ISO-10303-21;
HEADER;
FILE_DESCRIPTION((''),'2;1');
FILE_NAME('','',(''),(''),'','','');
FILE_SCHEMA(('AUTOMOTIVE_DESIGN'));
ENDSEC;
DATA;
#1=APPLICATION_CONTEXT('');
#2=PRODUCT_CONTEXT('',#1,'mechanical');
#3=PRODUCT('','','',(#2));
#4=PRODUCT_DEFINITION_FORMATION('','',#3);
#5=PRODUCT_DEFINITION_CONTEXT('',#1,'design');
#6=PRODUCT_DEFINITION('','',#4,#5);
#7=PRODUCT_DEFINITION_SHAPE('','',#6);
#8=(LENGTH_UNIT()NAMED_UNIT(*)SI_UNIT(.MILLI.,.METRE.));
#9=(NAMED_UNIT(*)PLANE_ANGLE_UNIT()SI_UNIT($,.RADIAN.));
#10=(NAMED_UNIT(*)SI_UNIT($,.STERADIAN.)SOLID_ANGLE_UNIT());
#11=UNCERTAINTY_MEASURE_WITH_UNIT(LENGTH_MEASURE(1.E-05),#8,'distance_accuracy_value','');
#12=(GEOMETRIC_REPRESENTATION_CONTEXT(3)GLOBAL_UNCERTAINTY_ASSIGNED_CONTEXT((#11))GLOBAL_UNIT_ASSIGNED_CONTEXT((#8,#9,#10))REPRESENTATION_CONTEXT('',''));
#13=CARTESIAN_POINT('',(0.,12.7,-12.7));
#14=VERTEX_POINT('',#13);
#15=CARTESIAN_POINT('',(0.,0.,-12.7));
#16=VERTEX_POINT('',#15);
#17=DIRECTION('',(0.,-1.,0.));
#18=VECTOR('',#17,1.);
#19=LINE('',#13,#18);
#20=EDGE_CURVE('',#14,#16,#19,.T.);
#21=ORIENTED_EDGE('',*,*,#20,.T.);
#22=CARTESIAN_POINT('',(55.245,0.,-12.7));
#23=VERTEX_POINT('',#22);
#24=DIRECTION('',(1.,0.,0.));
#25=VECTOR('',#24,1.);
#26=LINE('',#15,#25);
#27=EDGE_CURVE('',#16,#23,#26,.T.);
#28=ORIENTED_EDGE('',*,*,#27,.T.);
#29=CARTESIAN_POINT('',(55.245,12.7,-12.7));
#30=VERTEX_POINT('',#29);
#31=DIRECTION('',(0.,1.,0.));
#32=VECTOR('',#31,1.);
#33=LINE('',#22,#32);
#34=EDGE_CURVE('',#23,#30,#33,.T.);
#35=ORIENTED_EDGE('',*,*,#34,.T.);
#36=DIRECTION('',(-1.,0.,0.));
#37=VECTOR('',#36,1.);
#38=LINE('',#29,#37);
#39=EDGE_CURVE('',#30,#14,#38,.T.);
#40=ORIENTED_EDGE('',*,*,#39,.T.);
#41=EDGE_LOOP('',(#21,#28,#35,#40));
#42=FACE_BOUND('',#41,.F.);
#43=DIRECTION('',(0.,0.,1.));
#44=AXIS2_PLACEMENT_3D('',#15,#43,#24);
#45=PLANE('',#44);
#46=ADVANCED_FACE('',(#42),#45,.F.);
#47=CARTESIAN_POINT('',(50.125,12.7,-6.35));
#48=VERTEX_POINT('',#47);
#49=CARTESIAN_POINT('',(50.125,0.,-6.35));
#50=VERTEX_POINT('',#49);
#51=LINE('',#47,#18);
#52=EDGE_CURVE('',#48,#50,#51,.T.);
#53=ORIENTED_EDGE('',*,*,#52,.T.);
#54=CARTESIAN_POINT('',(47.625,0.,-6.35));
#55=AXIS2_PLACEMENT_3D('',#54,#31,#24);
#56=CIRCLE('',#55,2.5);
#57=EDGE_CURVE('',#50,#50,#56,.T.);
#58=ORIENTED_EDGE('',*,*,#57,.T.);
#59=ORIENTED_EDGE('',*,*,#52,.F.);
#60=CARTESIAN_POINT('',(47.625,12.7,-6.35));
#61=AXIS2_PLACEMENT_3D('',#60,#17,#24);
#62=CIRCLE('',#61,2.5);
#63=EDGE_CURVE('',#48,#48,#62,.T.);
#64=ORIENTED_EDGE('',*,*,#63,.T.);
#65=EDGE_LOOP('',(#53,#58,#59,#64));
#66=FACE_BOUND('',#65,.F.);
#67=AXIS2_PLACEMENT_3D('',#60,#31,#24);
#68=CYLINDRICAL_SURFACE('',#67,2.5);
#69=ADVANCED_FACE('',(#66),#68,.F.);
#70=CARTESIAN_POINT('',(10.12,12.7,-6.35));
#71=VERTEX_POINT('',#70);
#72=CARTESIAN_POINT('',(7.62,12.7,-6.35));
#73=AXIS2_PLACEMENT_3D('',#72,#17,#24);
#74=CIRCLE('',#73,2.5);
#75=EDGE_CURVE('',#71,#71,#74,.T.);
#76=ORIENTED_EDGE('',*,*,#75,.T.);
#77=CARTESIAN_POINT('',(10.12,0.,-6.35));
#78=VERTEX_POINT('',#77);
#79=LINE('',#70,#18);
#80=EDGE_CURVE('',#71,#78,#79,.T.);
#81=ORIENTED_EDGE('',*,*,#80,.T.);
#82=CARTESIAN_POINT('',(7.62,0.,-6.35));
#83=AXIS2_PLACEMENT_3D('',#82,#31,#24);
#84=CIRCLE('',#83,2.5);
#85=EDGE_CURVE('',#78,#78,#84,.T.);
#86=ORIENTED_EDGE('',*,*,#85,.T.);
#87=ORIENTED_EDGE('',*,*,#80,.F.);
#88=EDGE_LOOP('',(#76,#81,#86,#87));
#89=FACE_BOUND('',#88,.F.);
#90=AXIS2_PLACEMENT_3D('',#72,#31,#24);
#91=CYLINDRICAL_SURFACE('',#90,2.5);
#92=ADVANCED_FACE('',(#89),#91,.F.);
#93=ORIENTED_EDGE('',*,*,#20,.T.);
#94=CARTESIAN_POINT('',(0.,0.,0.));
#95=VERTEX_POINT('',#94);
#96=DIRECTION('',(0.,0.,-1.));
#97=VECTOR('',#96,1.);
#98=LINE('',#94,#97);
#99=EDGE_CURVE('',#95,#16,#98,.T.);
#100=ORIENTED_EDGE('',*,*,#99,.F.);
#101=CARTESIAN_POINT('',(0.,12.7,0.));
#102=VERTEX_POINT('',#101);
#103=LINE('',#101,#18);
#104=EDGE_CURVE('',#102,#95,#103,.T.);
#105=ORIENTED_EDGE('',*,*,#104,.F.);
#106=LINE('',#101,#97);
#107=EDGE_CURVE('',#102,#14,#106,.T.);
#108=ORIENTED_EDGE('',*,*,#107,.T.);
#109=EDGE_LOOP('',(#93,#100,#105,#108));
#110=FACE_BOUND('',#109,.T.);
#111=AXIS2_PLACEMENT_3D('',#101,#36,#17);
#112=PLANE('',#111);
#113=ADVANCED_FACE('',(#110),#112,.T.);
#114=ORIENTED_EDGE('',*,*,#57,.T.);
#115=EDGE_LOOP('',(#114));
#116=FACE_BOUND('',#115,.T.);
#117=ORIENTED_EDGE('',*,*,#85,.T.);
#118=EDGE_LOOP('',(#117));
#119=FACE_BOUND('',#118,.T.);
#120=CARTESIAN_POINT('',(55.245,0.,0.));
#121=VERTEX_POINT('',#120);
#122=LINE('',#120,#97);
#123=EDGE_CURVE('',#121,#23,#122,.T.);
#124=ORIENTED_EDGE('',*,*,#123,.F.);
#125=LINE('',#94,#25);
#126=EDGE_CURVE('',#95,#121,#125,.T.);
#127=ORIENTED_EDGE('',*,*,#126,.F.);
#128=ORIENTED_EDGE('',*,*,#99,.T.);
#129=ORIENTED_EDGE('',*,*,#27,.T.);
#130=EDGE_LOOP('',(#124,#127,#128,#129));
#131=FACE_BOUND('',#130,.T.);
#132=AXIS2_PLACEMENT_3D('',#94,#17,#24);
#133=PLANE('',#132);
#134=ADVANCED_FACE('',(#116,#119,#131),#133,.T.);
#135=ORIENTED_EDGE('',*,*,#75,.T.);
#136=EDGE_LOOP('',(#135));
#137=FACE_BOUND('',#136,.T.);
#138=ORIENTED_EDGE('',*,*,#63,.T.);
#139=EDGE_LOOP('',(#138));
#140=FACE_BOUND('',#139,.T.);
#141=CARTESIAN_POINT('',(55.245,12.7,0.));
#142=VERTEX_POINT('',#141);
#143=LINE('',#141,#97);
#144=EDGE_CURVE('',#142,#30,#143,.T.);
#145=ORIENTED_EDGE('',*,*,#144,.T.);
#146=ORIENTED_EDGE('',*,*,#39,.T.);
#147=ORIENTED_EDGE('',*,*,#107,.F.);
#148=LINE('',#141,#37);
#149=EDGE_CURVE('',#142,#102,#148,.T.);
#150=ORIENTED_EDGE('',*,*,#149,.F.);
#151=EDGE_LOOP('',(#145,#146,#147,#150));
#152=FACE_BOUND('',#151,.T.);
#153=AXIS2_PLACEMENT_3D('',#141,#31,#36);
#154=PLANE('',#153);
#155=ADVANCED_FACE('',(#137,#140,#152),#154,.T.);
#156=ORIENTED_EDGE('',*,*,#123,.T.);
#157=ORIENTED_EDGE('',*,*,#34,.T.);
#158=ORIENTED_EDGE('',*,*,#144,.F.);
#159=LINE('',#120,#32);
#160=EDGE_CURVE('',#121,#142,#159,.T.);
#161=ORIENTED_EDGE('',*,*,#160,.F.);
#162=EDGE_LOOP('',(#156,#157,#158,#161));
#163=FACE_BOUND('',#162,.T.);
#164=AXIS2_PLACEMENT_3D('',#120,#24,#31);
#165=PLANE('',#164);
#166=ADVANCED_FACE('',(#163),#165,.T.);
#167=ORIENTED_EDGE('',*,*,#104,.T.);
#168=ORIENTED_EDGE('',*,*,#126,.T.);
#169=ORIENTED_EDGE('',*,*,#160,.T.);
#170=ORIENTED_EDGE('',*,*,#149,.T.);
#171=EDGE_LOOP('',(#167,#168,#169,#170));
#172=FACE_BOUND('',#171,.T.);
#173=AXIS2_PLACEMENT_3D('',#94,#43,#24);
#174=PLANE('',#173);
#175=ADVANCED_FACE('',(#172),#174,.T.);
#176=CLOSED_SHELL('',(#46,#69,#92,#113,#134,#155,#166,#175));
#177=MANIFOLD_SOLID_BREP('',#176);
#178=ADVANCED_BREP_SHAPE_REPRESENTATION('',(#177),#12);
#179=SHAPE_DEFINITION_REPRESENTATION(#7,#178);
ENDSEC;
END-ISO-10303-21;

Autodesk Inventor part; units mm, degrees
ref_plane "YZ Plane" through (0, 0, 0) normal (1, 0, 0) x (0, 1, 0)
ref_plane "XZ Plane" through (0, 0, 0) normal (0, 1, 0) x (-1, 0, 0)
ref_plane "XY Plane" through (0, 0, 0) normal (0, 0, 1) x (1, 0, 0)
sketch "Sketch1" plane through (0, 0, 0) normal (0, 0, 1) x (1, 0, 0)
  line L0 (0, 0) -> (55.245, 0)
  line L1 (55.245, 0) -> (55.245, 12.7)
  line L2 (55.245, 12.7) -> (0, 12.7)
  line L3 (0, 12.7) -> (0, 0)
  dimension "d0" = 12.7
  dimension "d1" = 55.245
extrude "Extrusion1" add sketch "Sketch1" against normal blind 12.7
sketch "Sketch2" plane through (0, 12.7, 0) normal (0, 1, 0) x (1, 0, 0)
  line L0 (0, 0) -> (0, 12.7) projected
  line L1 (0, 6.35) -> (57.5321, 6.35)
  circle A0 centre (7.62, 6.35) radius 2.5
  circle A1 centre (47.625, 6.35) radius 2.5
  dimension "d4" = 40.005
  dimension "d5" = 5
  dimension "d6" = 5
  dimension "d7" = 7.62
extrude "Extrusion2" cut sketch "Sketch2" against normal up to surface (12.7 mm away)
equation "\"d0\" = loadCellWidth"
equation "\"d2\" = loadCellWidth"
equation "\"loadCellWidth\" = 12.7"
properties part number "LoadCell"
